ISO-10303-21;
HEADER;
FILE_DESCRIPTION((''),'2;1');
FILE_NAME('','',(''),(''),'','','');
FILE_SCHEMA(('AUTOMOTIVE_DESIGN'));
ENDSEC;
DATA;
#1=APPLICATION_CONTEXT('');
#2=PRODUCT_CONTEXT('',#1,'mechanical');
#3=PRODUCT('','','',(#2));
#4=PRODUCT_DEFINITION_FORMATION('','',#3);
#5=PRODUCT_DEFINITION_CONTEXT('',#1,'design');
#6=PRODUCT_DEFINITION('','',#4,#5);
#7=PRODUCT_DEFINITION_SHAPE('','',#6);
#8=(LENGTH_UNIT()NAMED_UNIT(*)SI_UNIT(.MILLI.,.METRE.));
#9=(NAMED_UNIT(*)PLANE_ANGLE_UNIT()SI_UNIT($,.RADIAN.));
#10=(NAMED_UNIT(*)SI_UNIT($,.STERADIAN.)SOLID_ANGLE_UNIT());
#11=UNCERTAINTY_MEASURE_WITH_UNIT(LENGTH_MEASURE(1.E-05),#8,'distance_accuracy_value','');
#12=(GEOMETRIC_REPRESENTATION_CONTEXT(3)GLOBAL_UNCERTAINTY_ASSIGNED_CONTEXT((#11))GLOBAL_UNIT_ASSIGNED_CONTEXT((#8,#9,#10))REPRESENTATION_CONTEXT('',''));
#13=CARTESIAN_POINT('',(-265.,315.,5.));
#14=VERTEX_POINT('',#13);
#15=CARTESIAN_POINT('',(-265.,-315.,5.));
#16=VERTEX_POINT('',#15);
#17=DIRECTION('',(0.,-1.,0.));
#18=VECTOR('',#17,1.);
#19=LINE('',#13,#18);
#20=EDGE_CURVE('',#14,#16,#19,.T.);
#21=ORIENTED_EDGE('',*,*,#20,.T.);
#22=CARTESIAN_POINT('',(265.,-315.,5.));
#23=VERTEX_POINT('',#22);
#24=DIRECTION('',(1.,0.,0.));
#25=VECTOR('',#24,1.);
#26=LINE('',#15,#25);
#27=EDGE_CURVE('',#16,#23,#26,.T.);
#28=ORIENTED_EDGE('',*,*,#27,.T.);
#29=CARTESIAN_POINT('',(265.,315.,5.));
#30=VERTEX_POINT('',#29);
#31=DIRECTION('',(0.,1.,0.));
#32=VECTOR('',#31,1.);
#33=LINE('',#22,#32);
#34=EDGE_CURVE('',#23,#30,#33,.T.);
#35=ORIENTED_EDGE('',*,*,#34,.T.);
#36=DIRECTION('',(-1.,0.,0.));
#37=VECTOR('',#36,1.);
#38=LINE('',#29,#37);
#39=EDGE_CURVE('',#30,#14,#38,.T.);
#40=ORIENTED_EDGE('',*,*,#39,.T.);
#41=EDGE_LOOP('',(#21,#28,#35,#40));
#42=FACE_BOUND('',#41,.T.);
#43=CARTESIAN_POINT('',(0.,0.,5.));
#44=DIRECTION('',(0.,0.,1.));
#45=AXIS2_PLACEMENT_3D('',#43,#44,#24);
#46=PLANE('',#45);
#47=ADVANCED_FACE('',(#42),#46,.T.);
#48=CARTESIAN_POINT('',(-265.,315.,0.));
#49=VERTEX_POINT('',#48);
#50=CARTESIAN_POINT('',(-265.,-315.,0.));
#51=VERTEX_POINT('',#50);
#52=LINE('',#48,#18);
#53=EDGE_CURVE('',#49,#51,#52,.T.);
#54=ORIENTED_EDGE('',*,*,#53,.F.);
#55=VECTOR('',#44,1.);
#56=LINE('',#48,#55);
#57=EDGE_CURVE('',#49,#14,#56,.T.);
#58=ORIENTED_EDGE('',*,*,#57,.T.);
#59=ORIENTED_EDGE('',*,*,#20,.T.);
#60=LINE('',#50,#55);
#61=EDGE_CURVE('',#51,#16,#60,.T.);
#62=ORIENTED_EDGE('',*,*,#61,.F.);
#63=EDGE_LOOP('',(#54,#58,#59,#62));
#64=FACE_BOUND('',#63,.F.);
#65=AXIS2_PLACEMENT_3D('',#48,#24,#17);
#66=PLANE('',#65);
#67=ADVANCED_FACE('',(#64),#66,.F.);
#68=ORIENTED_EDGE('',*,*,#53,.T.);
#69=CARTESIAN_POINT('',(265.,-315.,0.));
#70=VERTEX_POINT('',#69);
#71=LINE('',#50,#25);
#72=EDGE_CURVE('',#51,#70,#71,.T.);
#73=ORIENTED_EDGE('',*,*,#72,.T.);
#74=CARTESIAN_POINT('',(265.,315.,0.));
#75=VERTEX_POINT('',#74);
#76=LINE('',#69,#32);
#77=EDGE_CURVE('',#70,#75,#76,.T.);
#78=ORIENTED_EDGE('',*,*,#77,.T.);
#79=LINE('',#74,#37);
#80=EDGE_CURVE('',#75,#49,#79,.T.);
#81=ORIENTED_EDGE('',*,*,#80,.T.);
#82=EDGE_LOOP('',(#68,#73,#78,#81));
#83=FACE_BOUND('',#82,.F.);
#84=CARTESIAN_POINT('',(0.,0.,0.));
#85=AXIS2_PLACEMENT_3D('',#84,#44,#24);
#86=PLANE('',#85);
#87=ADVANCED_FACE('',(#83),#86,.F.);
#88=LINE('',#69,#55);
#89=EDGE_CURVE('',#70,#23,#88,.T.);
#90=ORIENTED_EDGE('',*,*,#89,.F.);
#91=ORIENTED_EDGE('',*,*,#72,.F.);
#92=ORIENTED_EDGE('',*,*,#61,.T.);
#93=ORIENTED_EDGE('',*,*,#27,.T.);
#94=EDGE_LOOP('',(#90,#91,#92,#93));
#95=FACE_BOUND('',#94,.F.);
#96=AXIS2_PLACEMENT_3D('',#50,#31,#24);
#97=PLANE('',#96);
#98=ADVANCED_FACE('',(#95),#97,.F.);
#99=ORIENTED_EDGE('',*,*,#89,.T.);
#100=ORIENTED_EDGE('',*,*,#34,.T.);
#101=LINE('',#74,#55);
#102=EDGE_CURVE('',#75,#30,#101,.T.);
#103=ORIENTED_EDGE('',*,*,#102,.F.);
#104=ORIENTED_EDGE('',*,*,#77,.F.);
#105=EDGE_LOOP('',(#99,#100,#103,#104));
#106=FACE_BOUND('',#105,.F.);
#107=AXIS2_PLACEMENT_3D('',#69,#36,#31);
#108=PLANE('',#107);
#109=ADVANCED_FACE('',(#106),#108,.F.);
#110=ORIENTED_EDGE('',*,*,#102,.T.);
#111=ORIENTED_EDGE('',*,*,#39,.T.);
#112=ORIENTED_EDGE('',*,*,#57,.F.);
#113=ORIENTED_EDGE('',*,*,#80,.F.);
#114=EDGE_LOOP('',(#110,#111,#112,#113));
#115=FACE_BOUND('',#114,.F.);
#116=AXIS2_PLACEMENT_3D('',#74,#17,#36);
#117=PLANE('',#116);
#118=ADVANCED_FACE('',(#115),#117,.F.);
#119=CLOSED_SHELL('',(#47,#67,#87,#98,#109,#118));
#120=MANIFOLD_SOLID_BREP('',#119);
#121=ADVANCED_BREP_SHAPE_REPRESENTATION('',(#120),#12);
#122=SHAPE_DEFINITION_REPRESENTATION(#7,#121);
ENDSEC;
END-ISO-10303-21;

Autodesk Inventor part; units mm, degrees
ref_plane "YZ Plane" through (0, 0, 0) normal (1, 0, 0) x (0, 1, 0)
ref_plane "XZ Plane" through (0, 0, 0) normal (0, 1, 0) x (-1, 0, 0)
ref_plane "XY Plane" through (0, 0, 0) normal (0, 0, 1) x (1, 0, 0)
sketch "스케치1" plane through (0, 0, 0) normal (0, 0, 1) x (1, 0, 0)
  line L0 (-265, -315) -> (265, -315)
  line L1 (265, -315) -> (265, 315)
  line L2 (265, 315) -> (-265, 315)
  line L3 (-265, 315) -> (-265, -315)
  line L4 (-265, -315) -> (265, 315) construction
  line L5 (265, -315) -> (-265, 315) construction
  point P0 (0, 0)
  dimension "d0" = 530
  dimension "d1" = 630
extrude "돌출1" add sketch "스케치1" along normal blind 5
properties part number "630x530 패널"
